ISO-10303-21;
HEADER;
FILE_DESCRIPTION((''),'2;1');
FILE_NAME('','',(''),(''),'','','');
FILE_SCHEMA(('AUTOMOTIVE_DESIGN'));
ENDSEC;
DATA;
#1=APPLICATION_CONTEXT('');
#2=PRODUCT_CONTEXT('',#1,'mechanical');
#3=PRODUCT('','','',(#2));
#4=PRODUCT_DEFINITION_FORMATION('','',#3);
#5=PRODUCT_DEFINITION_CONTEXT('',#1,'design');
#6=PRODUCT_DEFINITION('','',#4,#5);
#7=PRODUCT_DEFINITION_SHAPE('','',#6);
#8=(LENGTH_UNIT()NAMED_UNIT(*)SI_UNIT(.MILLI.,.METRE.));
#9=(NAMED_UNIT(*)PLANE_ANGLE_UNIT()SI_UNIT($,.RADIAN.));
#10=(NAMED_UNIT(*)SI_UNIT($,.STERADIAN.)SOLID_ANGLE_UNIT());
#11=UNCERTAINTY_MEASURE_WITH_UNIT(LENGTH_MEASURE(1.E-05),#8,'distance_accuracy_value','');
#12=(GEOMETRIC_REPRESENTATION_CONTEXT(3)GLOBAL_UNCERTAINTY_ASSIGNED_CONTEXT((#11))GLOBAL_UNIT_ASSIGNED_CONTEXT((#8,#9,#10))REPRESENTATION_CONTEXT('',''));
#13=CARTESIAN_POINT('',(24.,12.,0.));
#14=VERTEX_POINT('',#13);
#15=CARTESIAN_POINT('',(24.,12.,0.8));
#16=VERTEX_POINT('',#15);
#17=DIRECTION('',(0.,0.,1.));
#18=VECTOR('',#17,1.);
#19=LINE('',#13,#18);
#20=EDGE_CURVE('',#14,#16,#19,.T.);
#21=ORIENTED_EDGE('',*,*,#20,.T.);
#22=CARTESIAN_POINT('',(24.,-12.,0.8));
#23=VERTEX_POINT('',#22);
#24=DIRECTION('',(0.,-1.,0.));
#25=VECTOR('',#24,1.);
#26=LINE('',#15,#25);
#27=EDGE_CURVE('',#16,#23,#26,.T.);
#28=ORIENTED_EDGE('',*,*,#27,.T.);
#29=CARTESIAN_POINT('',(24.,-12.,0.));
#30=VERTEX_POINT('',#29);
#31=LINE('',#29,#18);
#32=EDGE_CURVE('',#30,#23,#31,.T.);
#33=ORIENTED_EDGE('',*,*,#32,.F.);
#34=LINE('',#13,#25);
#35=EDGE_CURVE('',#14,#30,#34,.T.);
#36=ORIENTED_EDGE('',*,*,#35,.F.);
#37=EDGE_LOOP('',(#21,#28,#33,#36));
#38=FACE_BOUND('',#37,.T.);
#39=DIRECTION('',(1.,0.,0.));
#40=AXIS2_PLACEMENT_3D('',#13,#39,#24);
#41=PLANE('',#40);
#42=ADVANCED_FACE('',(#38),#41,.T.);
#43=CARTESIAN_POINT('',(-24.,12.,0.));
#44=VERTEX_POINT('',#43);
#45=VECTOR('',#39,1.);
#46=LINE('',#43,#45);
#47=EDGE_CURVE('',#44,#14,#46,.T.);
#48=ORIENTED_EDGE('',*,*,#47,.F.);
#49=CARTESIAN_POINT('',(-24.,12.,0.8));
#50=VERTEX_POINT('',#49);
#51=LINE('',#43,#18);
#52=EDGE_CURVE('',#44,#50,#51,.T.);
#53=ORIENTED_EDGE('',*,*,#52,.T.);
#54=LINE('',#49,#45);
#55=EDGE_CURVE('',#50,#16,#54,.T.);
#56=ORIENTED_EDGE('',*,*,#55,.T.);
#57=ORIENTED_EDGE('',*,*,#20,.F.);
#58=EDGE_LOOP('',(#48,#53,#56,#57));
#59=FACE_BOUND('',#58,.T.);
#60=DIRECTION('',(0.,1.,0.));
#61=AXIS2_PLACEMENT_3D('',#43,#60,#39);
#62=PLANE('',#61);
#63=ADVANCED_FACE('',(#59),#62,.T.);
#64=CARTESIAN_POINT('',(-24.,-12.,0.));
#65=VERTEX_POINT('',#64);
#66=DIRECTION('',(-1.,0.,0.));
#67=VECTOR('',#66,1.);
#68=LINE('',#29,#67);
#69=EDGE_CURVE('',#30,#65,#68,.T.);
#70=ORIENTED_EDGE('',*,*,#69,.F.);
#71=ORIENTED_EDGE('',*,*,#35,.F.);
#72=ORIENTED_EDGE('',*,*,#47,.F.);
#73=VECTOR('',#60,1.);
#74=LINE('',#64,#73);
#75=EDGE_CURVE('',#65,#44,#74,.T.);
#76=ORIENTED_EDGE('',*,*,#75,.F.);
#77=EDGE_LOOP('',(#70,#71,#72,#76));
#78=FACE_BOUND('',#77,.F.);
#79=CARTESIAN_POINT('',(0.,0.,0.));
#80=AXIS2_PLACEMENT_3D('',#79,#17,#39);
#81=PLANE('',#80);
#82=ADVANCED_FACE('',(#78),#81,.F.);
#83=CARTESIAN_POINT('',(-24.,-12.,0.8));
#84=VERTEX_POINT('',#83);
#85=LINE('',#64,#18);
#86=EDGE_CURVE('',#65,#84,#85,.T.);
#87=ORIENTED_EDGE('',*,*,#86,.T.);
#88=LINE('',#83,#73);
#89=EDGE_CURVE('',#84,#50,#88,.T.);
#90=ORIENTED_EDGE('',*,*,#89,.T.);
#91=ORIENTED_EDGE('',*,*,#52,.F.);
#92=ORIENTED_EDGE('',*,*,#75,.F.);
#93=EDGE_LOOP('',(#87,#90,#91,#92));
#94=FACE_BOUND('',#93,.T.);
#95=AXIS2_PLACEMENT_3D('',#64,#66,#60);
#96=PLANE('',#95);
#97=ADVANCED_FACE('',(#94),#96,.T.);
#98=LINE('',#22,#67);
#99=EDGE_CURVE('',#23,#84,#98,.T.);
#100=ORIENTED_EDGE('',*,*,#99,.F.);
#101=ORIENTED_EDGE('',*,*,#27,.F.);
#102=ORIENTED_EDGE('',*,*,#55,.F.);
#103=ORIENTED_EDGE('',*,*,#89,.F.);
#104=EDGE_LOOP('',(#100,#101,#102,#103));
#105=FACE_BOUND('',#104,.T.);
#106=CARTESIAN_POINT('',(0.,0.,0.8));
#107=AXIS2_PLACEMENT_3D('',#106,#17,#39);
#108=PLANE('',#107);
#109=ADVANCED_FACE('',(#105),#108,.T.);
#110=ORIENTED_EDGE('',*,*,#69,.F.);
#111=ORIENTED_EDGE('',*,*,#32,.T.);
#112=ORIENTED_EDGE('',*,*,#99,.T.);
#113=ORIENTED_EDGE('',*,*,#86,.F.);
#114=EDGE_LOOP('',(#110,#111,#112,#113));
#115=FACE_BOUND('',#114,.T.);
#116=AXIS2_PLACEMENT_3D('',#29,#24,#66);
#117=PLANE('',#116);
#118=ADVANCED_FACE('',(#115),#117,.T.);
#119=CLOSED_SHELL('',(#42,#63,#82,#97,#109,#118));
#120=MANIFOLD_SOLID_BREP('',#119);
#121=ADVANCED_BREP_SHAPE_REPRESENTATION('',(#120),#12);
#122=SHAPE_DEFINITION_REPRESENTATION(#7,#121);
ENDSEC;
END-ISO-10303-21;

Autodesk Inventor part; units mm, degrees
ref_plane "YZ Plane" through (0, 0, 0) normal (1, 0, 0) x (0, 1, 0)
ref_plane "XZ Plane" through (0, 0, 0) normal (0, 1, 0) x (-1, 0, 0)
ref_plane "XY Plane" through (0, 0, 0) normal (0, 0, 1) x (1, 0, 0)
sketch "Sketch1" plane through (0, 0, 0) normal (0, 0, 1) x (1, 0, 0)
  line L0 (-24, 12) -> (24, 12)
  line L1 (24, 12) -> (24, -12)
  line L2 (24, -12) -> (-24, -12)
  line L3 (-24, -12) -> (-24, 12)
  point P0 (0, 0)
  dimension "d0" = 48
  dimension "d1" = 24
  dimension "d2" = 24
  dimension "d3" = 12
extrude "Extrusion1" add sketch "Sketch1" along normal blind 0.8
properties part number "pcb"
